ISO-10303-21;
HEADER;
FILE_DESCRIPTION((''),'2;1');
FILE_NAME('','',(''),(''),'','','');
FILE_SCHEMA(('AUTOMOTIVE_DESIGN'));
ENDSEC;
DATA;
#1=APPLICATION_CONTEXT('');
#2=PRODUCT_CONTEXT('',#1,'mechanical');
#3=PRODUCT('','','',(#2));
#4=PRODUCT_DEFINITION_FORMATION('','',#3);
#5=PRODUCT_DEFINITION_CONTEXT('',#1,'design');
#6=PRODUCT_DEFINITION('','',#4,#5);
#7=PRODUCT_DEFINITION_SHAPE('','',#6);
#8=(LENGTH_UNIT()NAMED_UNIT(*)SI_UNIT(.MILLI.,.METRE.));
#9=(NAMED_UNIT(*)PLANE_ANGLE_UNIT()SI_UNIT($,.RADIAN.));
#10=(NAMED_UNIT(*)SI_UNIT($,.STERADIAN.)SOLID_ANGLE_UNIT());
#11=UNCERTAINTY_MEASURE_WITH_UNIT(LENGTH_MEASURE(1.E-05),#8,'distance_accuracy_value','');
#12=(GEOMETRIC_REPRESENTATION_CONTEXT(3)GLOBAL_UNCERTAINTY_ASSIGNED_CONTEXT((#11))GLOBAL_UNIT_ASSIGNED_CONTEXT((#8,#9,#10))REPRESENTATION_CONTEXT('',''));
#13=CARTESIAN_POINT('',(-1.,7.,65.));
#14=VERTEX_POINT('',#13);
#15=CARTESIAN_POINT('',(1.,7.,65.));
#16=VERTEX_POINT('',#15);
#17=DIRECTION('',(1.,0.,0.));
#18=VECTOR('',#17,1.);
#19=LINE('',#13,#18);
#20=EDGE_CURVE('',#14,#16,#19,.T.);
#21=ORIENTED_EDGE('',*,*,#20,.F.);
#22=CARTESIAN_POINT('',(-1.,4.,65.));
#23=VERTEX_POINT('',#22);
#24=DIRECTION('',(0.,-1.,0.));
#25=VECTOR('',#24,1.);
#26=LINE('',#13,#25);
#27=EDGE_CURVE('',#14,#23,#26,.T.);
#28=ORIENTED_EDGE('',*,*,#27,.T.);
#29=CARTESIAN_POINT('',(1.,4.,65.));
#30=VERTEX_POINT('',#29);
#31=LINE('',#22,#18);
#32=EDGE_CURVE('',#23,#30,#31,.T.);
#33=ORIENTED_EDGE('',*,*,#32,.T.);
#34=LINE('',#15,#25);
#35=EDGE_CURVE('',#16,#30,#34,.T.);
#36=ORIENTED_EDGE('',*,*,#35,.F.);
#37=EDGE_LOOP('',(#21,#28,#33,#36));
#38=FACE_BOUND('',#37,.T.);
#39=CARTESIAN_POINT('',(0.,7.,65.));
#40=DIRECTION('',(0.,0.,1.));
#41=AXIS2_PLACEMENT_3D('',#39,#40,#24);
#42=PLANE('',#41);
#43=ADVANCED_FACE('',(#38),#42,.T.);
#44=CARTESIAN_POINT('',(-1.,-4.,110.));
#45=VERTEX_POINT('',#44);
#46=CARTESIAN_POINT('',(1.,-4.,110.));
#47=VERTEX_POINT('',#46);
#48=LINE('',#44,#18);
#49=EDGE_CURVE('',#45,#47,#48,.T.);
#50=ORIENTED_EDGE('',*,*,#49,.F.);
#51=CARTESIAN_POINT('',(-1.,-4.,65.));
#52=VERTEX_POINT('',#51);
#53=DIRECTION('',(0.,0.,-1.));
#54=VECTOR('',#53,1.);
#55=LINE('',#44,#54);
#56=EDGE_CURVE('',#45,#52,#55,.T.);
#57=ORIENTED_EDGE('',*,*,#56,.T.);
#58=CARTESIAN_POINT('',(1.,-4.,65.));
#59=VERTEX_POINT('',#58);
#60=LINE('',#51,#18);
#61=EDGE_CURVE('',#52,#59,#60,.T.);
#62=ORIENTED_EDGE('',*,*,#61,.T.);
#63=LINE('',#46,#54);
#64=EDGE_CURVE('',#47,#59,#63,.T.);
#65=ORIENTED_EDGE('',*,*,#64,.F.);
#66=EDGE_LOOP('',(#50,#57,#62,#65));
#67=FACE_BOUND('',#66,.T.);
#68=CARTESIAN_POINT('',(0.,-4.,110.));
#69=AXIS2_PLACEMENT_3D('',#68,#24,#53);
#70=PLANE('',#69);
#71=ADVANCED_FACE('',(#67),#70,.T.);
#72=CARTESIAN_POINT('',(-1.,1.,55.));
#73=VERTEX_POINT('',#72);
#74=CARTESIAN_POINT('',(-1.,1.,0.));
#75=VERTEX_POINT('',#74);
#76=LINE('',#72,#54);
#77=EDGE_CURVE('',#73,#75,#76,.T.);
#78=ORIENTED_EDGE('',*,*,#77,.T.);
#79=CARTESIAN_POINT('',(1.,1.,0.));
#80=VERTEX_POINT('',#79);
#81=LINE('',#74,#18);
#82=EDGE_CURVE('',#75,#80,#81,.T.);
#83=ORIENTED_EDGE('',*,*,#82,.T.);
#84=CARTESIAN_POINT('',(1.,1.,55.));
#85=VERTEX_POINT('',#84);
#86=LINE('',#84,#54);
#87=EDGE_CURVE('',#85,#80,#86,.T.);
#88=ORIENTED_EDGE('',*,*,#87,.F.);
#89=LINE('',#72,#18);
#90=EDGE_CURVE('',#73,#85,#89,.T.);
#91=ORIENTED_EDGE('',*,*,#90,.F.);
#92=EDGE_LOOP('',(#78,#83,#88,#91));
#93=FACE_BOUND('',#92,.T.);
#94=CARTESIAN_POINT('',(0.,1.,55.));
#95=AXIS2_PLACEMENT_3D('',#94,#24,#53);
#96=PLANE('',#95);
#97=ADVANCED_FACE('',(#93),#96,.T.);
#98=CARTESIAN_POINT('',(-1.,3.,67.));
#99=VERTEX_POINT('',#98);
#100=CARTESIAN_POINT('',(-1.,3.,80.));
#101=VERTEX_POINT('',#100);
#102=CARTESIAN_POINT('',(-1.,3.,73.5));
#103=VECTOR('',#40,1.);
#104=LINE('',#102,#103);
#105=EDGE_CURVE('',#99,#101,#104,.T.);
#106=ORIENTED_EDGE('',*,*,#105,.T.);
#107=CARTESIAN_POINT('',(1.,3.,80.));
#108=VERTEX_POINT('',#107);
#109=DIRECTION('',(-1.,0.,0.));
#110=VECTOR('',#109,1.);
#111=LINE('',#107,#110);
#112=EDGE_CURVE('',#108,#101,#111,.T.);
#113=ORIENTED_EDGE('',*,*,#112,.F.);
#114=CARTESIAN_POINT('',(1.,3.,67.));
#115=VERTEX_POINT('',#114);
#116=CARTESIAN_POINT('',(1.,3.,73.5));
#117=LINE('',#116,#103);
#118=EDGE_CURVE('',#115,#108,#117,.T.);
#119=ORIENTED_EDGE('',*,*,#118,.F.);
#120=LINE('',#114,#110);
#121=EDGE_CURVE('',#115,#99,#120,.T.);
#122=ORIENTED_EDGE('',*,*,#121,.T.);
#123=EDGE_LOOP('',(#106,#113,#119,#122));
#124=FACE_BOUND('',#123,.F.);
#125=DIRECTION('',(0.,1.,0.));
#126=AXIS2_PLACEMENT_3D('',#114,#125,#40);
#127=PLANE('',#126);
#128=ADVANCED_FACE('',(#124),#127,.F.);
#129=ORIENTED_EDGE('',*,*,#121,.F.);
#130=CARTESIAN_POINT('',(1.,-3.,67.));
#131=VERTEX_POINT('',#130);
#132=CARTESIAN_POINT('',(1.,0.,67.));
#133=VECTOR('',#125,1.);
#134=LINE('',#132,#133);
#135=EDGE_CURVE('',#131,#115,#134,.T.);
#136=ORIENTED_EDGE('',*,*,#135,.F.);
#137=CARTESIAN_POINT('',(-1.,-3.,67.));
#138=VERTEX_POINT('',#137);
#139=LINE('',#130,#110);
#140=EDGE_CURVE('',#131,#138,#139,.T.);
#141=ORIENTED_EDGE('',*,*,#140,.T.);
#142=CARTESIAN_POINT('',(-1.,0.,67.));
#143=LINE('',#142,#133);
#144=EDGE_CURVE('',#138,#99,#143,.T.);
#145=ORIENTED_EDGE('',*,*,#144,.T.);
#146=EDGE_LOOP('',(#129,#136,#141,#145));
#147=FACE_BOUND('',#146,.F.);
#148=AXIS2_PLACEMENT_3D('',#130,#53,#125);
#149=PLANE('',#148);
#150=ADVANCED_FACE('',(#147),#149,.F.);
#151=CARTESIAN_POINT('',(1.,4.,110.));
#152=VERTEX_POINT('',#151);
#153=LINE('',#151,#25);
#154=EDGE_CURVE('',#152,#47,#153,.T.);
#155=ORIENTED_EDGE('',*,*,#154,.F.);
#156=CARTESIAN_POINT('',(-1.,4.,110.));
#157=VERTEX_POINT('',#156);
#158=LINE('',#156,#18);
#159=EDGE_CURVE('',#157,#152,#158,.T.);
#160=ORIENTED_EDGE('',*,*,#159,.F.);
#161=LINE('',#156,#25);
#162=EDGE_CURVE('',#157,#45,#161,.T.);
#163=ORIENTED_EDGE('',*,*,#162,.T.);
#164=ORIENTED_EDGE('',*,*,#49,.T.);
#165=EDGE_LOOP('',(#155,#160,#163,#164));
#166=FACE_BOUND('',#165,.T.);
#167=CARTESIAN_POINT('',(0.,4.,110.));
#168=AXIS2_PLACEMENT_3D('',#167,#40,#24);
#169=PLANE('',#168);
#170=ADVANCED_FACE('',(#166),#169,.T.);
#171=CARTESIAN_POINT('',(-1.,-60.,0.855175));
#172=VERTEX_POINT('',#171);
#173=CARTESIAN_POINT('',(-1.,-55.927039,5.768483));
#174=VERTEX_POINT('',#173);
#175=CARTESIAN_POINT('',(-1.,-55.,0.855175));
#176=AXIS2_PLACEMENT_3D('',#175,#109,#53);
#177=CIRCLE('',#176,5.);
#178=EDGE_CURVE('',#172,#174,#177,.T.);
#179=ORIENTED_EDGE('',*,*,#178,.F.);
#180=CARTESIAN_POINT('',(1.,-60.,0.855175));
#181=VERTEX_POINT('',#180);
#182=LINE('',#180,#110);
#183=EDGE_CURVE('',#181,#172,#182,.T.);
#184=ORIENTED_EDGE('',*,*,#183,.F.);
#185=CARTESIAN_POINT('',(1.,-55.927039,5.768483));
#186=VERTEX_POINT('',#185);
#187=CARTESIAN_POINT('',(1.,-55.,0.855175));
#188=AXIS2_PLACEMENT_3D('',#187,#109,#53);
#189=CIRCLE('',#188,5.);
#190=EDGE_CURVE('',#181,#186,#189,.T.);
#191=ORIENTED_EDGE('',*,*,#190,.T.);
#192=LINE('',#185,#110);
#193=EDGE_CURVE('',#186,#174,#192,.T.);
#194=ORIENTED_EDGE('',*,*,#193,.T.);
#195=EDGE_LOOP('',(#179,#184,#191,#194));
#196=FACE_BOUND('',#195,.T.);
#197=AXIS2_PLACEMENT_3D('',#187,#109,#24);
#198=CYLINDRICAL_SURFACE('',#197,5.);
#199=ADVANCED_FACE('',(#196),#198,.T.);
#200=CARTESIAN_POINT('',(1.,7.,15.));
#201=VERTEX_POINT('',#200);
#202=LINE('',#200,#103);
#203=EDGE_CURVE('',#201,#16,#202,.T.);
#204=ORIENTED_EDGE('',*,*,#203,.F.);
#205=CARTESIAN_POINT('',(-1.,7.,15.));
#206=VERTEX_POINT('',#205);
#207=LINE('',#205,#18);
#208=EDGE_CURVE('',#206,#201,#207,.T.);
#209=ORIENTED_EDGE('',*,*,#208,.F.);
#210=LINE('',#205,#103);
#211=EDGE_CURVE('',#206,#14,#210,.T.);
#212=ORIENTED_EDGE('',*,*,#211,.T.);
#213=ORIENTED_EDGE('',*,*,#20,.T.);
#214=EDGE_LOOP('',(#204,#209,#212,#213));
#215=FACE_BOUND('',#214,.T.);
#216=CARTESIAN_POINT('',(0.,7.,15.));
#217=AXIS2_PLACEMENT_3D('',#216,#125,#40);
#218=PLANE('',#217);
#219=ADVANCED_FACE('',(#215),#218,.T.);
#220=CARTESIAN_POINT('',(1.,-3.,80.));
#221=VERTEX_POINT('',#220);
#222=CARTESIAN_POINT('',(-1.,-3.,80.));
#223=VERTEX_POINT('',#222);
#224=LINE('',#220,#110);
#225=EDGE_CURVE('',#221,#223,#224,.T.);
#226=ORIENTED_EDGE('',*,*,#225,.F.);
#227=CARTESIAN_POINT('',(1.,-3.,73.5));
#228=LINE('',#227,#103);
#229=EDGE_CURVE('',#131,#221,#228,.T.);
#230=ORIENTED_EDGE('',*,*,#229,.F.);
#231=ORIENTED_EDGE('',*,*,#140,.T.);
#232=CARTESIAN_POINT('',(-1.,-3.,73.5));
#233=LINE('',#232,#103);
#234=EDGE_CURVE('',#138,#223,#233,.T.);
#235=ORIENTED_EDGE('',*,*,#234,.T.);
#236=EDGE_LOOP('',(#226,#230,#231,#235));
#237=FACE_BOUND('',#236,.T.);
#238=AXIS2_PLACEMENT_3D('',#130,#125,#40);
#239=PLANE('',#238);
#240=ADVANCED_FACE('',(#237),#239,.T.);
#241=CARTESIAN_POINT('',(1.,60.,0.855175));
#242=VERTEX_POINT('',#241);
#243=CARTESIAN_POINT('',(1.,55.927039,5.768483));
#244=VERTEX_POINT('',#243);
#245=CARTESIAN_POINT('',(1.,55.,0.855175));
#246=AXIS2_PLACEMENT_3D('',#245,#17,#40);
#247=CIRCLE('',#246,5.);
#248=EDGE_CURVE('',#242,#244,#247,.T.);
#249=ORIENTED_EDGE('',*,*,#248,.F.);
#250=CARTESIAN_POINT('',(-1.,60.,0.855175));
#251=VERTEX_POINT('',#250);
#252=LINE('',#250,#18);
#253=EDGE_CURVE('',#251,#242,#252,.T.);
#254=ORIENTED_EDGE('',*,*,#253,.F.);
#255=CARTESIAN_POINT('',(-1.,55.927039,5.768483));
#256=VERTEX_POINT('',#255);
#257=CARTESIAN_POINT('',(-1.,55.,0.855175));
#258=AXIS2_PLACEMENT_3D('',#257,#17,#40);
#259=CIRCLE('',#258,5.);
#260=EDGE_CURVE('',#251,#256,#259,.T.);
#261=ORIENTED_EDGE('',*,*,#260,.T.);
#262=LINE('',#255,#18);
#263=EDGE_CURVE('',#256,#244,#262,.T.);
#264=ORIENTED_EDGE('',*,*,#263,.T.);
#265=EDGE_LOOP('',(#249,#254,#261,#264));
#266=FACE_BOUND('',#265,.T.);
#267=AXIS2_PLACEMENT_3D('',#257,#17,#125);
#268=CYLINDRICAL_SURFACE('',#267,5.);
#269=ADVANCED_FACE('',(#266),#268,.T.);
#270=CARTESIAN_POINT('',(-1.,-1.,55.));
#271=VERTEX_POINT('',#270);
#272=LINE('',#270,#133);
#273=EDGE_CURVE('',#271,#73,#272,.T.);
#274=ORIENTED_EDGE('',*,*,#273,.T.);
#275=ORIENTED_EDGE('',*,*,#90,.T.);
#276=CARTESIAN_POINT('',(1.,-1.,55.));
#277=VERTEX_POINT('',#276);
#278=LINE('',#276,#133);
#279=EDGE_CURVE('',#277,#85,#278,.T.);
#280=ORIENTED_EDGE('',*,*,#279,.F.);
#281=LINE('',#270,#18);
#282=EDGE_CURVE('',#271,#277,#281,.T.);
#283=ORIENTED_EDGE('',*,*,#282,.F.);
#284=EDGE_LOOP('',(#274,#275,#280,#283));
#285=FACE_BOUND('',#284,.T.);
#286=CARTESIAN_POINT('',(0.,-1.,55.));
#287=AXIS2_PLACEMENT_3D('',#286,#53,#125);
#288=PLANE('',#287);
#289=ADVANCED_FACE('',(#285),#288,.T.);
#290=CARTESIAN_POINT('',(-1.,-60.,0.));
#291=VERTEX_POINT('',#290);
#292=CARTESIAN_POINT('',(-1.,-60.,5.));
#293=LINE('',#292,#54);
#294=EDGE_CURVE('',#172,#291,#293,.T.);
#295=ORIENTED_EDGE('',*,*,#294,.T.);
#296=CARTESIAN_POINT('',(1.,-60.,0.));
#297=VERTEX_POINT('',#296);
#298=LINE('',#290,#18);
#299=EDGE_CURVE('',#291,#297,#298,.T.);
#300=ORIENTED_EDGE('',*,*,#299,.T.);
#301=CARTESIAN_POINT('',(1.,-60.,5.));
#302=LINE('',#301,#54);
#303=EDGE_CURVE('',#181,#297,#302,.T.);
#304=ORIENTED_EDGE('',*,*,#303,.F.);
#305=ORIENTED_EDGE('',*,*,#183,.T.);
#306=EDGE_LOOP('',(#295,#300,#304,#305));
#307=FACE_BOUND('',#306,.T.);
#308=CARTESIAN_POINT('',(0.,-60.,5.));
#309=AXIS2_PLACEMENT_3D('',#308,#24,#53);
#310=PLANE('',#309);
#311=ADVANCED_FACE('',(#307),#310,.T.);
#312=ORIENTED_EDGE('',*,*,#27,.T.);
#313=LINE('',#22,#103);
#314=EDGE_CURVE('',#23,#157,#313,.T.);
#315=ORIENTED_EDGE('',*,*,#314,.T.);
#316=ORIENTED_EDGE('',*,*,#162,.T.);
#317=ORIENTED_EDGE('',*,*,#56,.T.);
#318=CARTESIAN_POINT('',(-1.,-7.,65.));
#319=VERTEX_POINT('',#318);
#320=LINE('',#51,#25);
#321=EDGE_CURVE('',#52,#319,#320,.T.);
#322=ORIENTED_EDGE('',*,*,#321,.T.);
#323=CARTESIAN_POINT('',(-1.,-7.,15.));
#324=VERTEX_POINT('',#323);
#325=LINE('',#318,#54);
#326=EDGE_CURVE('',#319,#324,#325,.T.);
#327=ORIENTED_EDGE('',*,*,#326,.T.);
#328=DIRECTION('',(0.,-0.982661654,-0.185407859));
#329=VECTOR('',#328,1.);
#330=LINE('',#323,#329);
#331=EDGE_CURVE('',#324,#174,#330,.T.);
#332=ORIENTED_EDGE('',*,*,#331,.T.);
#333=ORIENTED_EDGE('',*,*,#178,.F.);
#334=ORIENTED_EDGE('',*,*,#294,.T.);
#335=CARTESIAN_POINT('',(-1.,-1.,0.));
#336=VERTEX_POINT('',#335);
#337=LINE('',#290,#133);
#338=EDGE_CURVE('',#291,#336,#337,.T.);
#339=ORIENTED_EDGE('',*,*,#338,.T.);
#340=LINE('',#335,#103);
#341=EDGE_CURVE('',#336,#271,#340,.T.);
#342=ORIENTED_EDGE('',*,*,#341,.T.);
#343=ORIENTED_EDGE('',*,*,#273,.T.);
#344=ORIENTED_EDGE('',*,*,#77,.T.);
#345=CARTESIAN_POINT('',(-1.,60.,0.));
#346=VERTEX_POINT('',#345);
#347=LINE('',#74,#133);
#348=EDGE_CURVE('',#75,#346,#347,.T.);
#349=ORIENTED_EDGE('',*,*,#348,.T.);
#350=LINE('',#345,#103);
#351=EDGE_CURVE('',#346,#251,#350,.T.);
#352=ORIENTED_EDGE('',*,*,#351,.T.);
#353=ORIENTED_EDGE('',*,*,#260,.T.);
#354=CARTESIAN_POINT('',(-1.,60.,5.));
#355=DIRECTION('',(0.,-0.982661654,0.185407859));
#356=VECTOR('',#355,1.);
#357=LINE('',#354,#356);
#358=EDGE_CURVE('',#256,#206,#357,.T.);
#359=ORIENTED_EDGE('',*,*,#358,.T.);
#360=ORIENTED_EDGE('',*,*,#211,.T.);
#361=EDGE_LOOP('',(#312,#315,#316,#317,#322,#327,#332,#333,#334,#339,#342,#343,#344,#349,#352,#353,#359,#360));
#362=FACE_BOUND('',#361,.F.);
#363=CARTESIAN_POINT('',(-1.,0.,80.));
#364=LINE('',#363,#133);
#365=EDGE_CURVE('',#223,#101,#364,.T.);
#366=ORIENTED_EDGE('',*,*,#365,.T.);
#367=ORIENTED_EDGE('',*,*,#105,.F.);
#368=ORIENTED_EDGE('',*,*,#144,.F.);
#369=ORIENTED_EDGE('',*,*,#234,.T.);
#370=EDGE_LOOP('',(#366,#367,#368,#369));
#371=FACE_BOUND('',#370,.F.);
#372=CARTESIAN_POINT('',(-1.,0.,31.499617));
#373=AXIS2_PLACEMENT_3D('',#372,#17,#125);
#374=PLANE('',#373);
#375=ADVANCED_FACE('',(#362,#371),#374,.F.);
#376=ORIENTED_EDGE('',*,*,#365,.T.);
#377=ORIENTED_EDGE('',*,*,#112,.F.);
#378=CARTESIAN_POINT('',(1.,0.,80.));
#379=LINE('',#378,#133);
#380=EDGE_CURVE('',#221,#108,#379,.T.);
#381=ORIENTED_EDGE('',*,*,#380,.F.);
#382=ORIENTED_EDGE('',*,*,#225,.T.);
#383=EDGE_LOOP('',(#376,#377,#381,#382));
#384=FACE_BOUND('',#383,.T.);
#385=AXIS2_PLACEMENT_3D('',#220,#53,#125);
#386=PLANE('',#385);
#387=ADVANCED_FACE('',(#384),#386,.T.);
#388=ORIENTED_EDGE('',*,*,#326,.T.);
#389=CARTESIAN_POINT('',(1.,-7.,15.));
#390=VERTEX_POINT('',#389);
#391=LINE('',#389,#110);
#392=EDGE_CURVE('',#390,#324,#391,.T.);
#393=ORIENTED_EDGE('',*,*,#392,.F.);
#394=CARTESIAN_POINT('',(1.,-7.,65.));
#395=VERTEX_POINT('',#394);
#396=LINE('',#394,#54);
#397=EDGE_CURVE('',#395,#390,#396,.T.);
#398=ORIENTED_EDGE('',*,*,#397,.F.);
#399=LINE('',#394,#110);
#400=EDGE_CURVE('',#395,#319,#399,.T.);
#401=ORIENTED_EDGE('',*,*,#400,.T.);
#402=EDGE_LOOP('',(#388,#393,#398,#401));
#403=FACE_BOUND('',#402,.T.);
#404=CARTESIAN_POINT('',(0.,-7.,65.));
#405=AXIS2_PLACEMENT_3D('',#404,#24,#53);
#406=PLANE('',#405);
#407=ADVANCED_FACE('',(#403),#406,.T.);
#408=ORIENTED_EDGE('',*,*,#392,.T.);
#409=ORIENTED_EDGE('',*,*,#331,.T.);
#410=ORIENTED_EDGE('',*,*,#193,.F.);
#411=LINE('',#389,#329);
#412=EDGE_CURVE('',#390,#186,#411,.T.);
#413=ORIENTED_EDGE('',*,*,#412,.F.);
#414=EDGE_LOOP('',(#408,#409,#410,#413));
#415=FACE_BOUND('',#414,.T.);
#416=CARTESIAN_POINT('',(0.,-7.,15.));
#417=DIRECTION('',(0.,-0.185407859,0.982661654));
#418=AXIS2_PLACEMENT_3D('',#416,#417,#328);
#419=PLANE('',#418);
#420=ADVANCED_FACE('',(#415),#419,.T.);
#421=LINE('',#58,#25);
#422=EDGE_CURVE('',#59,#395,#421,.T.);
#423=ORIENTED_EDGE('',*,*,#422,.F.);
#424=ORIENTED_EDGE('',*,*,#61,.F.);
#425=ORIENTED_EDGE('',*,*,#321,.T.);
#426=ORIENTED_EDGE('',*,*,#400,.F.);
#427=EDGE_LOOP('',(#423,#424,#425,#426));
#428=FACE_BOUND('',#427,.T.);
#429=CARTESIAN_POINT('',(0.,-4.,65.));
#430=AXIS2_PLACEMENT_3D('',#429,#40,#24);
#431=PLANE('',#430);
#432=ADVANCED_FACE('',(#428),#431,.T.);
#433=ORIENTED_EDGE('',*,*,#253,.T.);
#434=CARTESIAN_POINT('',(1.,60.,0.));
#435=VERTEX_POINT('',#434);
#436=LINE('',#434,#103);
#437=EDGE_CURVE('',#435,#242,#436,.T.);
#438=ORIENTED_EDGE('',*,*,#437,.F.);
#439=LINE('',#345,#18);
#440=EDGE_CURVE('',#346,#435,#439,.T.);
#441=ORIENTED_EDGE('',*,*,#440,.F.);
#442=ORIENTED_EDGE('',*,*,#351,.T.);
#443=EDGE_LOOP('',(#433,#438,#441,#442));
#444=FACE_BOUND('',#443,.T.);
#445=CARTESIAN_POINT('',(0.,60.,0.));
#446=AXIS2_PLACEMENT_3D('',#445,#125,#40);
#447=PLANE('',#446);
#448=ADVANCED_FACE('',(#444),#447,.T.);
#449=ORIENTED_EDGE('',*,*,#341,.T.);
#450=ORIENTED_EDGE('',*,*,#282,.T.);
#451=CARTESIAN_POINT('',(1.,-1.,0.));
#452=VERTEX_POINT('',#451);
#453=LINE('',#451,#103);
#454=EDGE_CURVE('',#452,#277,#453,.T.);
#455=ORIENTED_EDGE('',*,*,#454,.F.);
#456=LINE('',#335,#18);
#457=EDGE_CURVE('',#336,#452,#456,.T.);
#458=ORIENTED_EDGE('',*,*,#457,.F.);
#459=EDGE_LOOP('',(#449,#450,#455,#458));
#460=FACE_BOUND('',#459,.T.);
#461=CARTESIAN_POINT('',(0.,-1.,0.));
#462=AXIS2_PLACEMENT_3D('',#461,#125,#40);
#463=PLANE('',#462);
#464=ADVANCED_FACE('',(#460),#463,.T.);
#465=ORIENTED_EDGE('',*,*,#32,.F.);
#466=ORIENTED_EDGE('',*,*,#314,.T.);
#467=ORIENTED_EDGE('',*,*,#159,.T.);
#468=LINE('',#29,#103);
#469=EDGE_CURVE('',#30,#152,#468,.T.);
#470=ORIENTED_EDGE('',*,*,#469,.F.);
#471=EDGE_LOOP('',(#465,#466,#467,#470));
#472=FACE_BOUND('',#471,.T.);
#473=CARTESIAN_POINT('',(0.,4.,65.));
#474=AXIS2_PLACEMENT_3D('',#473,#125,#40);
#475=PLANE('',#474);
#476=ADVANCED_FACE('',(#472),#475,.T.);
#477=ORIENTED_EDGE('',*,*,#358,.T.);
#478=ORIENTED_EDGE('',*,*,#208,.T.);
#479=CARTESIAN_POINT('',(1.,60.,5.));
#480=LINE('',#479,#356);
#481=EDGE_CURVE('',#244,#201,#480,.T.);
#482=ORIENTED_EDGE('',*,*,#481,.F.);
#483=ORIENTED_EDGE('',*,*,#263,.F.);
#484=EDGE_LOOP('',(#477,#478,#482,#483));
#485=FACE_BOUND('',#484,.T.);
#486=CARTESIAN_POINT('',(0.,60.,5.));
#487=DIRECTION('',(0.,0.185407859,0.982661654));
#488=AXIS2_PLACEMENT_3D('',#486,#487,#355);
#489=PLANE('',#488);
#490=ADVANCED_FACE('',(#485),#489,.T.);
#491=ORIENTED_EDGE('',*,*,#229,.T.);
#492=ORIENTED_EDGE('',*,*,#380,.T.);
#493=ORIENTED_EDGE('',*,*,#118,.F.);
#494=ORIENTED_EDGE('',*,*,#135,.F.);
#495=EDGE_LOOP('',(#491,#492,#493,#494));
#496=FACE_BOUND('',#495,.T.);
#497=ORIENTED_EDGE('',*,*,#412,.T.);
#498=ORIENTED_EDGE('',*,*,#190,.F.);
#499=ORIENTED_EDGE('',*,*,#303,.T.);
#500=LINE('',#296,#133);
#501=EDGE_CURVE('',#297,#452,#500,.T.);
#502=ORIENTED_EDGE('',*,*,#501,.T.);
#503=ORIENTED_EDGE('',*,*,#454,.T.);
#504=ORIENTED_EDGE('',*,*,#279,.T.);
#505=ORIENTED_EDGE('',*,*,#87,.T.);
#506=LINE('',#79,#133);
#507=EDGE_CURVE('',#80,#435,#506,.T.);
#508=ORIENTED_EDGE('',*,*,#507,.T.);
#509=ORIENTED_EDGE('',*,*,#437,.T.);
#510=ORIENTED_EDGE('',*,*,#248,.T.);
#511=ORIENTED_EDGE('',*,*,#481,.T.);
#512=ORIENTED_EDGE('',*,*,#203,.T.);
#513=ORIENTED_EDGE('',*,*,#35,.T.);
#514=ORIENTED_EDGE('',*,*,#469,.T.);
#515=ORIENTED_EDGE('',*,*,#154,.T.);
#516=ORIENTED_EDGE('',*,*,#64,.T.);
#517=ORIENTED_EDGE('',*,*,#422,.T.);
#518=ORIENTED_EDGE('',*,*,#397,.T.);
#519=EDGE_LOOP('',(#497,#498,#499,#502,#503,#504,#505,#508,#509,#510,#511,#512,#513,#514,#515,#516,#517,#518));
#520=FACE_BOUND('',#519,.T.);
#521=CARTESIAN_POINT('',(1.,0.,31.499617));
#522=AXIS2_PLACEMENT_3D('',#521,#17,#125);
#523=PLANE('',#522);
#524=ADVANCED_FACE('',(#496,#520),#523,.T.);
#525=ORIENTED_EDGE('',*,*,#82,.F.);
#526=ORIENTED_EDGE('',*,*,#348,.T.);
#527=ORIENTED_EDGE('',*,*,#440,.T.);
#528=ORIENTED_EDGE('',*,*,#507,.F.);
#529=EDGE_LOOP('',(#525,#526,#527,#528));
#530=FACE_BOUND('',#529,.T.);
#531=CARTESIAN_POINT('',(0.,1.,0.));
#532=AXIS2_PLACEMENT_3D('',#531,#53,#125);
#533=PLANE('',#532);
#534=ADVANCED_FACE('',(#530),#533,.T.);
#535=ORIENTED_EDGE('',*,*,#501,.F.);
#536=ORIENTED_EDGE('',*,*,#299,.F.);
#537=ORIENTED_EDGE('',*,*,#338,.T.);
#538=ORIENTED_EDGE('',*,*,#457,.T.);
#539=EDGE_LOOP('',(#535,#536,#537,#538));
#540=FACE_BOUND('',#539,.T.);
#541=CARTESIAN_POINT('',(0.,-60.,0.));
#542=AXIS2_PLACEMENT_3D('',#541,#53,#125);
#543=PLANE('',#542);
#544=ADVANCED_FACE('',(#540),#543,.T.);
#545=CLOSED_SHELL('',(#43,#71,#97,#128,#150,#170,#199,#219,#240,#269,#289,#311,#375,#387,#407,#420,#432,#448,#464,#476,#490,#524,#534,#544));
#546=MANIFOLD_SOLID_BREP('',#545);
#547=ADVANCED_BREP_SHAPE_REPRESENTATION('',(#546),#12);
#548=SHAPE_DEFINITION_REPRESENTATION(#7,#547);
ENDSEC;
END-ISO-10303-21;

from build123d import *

# Parameters (mm, degrees)
F1_DEPTH      = 1
F1_DEPTH_BACK = 1
F2_W          = 6
F2_H          = 13
F3_DEPTH      = 2
F3_DEPTH_BACK = 2
F4_R          = 5


with BuildPart() as f1:
    # F0 (on Right) → F1 (new body, two sides)
    with BuildSketch(Plane.YZ) as f1_sk:
        Polygon((-60, 5), (-60, 0), (-1, 0), (-1, 55), (1, 55), (1, 0), (60, 0), (60, 5), (7, 15), (7, 65), (4, 65), (4, 110), (-4, 110), (-4, 65), (-7, 65), (-7, 15), align=None)
    extrude(amount=F1_DEPTH)
    extrude(f1_sk.sketch, amount=-F1_DEPTH_BACK)

    # F2 (on face) → F3 (cut, two sides)
    with BuildSketch(Plane.YZ.offset(1)) as f3_sk:
        with Locations((0, 73.5)):
            Rectangle(F2_W, F2_H)
    extrude(amount=-F3_DEPTH, mode=Mode.SUBTRACT)
    extrude(f3_sk.sketch, amount=-F3_DEPTH_BACK, mode=Mode.SUBTRACT)

    # F4
    f4_edges = [f1.edges().sort_by_distance(p)[0] for p in [
        (0, -60, 5),
        (0, 60, 5),
    ]]
    fillet(f4_edges, radius=F4_R)


solid = f1.part
